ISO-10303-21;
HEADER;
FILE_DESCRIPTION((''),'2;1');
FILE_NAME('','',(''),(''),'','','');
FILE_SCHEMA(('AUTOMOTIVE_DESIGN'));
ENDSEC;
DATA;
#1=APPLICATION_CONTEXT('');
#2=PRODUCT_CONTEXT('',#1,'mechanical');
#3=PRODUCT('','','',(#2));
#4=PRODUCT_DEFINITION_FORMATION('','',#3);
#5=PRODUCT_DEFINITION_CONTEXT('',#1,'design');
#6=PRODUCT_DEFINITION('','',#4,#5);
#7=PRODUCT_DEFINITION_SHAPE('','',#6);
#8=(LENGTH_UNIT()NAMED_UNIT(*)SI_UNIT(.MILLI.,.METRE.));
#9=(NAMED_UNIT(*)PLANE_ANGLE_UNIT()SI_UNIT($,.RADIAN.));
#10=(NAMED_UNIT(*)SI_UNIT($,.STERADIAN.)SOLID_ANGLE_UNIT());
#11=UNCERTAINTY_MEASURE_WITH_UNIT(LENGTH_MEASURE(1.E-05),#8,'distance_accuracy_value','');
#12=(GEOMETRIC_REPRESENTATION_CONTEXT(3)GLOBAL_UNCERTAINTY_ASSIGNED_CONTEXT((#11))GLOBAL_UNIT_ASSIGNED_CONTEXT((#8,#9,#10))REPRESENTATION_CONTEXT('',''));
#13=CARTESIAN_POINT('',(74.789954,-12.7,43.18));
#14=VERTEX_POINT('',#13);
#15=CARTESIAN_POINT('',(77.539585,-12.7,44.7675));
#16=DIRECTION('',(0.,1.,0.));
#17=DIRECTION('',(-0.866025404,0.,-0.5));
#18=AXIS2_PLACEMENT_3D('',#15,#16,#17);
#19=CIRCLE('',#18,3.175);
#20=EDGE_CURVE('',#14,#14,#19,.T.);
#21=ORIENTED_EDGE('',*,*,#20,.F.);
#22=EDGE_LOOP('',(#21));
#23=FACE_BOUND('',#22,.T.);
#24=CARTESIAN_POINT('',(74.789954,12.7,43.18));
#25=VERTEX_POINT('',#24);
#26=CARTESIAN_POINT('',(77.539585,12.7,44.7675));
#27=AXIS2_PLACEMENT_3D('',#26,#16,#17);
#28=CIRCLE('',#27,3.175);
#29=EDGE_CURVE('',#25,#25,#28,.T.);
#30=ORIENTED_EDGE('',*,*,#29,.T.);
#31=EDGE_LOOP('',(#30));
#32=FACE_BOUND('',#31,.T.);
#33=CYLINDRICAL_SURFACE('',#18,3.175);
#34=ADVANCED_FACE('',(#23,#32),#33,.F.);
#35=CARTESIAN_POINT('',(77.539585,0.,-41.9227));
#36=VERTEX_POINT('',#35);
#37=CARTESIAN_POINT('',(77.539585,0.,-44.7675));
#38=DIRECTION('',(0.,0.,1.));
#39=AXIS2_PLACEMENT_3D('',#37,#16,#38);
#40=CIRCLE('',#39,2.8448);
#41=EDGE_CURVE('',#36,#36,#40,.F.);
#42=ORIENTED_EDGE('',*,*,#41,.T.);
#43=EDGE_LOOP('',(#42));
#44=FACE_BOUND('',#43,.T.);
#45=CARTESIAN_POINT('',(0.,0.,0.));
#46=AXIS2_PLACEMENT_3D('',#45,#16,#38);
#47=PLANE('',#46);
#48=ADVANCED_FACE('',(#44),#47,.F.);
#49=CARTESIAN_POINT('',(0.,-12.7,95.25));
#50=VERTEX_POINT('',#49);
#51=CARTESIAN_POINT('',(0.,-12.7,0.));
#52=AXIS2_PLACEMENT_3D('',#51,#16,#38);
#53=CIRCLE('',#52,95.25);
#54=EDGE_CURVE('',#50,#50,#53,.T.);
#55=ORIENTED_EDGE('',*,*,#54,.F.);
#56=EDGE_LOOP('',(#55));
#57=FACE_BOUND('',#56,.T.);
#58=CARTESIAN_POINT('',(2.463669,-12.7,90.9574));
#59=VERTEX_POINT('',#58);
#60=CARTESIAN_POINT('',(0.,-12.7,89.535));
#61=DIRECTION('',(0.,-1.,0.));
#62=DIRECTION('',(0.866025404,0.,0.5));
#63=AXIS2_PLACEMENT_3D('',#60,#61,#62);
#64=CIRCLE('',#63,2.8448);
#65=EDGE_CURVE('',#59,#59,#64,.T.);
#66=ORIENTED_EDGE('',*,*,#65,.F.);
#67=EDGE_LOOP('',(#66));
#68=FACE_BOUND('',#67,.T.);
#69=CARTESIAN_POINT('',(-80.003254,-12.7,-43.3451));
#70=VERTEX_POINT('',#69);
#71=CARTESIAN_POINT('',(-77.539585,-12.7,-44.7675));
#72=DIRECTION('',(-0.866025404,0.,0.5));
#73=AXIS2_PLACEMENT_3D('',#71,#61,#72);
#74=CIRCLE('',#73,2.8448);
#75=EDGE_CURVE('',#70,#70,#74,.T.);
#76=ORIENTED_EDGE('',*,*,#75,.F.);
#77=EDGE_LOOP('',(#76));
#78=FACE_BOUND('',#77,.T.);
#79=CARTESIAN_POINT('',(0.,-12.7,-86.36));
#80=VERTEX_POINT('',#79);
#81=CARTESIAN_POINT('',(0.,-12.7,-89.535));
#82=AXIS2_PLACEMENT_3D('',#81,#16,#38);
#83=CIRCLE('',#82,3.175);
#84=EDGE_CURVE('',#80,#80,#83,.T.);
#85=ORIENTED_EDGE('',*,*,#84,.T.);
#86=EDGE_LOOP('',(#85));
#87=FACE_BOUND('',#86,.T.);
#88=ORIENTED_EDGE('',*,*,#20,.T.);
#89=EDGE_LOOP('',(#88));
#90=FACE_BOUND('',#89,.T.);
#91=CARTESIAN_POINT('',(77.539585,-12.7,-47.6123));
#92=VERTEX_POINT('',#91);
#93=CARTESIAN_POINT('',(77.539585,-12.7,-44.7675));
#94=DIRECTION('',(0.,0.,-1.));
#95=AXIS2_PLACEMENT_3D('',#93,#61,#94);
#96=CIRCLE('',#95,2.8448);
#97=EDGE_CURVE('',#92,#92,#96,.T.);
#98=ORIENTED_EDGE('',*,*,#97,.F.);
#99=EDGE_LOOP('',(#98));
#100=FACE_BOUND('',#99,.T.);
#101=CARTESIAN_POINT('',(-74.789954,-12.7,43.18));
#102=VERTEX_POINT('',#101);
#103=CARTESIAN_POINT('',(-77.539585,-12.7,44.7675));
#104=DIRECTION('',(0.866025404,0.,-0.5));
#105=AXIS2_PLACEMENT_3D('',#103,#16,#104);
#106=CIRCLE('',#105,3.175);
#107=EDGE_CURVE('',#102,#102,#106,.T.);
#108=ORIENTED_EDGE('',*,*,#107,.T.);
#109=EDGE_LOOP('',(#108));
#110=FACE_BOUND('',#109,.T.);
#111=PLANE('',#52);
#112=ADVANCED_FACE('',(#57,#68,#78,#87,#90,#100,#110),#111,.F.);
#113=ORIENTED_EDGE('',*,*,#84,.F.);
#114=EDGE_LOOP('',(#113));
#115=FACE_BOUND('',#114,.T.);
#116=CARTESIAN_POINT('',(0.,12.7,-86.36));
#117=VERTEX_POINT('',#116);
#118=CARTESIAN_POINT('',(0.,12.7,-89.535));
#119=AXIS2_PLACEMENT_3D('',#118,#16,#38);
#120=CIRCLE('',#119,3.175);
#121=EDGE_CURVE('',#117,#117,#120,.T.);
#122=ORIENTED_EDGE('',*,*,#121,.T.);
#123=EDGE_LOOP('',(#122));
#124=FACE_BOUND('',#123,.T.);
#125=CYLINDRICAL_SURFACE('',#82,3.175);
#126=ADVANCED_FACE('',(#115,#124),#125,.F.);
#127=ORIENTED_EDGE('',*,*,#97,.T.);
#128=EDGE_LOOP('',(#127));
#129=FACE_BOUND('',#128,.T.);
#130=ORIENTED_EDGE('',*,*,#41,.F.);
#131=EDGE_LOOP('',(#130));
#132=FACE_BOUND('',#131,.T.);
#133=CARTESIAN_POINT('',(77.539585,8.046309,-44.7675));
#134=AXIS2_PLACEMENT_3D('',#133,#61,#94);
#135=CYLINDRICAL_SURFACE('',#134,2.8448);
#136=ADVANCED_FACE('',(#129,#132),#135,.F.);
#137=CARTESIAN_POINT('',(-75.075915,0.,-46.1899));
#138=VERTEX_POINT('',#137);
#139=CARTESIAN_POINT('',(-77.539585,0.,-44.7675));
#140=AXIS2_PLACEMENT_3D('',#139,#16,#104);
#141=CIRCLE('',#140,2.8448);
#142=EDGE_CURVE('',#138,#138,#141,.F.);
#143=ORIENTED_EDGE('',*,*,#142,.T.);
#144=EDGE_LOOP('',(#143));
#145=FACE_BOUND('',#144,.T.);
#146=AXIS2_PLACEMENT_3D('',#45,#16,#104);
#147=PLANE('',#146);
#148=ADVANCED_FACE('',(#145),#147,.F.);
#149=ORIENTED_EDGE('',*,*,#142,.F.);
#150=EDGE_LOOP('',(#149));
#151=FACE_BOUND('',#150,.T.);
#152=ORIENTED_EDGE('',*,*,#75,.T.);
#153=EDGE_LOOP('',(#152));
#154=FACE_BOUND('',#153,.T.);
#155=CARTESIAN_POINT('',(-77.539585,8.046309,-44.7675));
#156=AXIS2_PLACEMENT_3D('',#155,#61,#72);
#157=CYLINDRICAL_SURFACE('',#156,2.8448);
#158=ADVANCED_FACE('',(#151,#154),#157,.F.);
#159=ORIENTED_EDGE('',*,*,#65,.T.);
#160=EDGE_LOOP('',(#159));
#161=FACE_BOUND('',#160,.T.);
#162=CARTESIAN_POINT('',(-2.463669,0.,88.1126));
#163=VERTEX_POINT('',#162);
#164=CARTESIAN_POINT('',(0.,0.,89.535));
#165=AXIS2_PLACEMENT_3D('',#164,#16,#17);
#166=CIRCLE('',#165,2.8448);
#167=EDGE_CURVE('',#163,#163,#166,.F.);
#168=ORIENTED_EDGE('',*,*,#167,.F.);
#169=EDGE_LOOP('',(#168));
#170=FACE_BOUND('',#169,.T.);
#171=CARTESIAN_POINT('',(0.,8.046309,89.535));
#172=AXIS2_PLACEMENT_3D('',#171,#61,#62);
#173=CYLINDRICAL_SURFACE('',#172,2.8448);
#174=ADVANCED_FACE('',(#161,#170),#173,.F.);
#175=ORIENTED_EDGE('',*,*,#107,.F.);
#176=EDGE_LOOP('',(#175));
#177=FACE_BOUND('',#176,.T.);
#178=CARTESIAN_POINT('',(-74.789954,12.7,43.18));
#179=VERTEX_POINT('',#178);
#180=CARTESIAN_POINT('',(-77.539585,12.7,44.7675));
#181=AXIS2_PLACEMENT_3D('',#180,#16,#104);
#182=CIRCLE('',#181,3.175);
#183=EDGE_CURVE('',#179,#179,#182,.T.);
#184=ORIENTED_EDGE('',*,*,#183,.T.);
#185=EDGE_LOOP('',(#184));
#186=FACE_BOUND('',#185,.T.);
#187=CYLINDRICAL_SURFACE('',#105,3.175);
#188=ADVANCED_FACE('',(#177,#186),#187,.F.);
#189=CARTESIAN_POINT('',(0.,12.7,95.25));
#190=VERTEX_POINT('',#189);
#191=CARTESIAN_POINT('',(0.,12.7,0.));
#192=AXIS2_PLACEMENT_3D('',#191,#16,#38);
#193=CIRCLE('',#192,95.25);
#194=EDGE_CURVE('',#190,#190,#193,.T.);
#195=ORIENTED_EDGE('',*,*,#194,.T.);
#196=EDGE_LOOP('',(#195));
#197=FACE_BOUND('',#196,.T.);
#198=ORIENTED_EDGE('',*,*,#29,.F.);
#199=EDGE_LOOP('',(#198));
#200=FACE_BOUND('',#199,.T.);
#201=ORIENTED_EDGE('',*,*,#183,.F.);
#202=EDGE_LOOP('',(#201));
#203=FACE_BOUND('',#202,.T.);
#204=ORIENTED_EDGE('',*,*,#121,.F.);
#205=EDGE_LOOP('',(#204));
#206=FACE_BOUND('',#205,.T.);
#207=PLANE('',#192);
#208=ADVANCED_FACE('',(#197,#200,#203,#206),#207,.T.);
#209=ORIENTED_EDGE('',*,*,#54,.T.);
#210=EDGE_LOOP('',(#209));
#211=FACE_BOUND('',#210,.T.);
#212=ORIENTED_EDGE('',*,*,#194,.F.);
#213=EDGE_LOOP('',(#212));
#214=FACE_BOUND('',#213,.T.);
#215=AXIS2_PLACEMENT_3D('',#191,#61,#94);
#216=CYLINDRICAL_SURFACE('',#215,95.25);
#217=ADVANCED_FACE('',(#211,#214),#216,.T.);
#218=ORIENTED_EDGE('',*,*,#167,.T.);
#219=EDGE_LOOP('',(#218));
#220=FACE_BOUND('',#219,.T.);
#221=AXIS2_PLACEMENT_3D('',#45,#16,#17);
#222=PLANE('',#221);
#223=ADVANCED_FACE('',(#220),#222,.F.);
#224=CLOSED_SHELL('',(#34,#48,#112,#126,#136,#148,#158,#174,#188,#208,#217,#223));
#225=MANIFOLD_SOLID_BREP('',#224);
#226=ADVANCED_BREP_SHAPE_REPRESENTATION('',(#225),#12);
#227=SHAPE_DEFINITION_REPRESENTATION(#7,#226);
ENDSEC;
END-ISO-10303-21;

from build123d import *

# Parameters (mm, degrees)
SKETCH1_R           = 95.25
BOSS_EXTRUDE1_DEPTH = 12.7
SKETCH2_R           = 3.175
CUT_EXTRUDE1_DEPTH  = 26.4
CIRPATTERN1_COUNT   = 3
SKETCH3_R           = 2.8448
CUT_EXTRUDE2_DEPTH  = 12.7
CIRPATTERN2_COUNT   = 3


with BuildPart() as part:
    # Sketch1 → Boss-Extrude1 (new body, symmetric)
    with BuildSketch(Plane(origin=(0, 0, 0), x_dir=(1, 0, 0), z_dir=(0, 1, 0))):
        Circle(SKETCH1_R)
    extrude(amount=BOSS_EXTRUDE1_DEPTH, both=True)

    # Sketch2 → Cut-Extrude1 (cut, through all)
    with BuildSketch(Plane(origin=(0, 12.7, 0), x_dir=(1, 0, 0), z_dir=(0, 1, 0))):
        with Locations((0, 89.535)):
            Circle(SKETCH2_R)
    cut_extrude1 = extrude(amount=-CUT_EXTRUDE1_DEPTH, mode=Mode.SUBTRACT)

    # CirPattern1: Cut-Extrude1 ×3 about axis
    cirpattern1_axis = Axis((0, 0, 0), (0, 1, 0))
    for i in range(1, CIRPATTERN1_COUNT):
        add(cut_extrude1.rotate(cirpattern1_axis, i * 360 / CIRPATTERN1_COUNT), mode=Mode.SUBTRACT)

    # Sketch3 → Cut-Extrude2 (cut)
    with BuildSketch(Plane(origin=(0, -12.7, 0), x_dir=(-1, 0, 0), z_dir=(0, -1, 0))):
        with Locations((-77.539584528, 44.7675)):
            Circle(SKETCH3_R)
    cut_extrude2 = extrude(amount=-CUT_EXTRUDE2_DEPTH, mode=Mode.SUBTRACT)

    # CirPattern2: Cut-Extrude2 ×3 about axis
    cirpattern2_axis = Axis((0, 0, 0), (0, 1, 0))
    for i in range(1, CIRPATTERN2_COUNT):
        add(cut_extrude2.rotate(cirpattern2_axis, i * 360 / CIRPATTERN2_COUNT), mode=Mode.SUBTRACT)


solid = part.part
